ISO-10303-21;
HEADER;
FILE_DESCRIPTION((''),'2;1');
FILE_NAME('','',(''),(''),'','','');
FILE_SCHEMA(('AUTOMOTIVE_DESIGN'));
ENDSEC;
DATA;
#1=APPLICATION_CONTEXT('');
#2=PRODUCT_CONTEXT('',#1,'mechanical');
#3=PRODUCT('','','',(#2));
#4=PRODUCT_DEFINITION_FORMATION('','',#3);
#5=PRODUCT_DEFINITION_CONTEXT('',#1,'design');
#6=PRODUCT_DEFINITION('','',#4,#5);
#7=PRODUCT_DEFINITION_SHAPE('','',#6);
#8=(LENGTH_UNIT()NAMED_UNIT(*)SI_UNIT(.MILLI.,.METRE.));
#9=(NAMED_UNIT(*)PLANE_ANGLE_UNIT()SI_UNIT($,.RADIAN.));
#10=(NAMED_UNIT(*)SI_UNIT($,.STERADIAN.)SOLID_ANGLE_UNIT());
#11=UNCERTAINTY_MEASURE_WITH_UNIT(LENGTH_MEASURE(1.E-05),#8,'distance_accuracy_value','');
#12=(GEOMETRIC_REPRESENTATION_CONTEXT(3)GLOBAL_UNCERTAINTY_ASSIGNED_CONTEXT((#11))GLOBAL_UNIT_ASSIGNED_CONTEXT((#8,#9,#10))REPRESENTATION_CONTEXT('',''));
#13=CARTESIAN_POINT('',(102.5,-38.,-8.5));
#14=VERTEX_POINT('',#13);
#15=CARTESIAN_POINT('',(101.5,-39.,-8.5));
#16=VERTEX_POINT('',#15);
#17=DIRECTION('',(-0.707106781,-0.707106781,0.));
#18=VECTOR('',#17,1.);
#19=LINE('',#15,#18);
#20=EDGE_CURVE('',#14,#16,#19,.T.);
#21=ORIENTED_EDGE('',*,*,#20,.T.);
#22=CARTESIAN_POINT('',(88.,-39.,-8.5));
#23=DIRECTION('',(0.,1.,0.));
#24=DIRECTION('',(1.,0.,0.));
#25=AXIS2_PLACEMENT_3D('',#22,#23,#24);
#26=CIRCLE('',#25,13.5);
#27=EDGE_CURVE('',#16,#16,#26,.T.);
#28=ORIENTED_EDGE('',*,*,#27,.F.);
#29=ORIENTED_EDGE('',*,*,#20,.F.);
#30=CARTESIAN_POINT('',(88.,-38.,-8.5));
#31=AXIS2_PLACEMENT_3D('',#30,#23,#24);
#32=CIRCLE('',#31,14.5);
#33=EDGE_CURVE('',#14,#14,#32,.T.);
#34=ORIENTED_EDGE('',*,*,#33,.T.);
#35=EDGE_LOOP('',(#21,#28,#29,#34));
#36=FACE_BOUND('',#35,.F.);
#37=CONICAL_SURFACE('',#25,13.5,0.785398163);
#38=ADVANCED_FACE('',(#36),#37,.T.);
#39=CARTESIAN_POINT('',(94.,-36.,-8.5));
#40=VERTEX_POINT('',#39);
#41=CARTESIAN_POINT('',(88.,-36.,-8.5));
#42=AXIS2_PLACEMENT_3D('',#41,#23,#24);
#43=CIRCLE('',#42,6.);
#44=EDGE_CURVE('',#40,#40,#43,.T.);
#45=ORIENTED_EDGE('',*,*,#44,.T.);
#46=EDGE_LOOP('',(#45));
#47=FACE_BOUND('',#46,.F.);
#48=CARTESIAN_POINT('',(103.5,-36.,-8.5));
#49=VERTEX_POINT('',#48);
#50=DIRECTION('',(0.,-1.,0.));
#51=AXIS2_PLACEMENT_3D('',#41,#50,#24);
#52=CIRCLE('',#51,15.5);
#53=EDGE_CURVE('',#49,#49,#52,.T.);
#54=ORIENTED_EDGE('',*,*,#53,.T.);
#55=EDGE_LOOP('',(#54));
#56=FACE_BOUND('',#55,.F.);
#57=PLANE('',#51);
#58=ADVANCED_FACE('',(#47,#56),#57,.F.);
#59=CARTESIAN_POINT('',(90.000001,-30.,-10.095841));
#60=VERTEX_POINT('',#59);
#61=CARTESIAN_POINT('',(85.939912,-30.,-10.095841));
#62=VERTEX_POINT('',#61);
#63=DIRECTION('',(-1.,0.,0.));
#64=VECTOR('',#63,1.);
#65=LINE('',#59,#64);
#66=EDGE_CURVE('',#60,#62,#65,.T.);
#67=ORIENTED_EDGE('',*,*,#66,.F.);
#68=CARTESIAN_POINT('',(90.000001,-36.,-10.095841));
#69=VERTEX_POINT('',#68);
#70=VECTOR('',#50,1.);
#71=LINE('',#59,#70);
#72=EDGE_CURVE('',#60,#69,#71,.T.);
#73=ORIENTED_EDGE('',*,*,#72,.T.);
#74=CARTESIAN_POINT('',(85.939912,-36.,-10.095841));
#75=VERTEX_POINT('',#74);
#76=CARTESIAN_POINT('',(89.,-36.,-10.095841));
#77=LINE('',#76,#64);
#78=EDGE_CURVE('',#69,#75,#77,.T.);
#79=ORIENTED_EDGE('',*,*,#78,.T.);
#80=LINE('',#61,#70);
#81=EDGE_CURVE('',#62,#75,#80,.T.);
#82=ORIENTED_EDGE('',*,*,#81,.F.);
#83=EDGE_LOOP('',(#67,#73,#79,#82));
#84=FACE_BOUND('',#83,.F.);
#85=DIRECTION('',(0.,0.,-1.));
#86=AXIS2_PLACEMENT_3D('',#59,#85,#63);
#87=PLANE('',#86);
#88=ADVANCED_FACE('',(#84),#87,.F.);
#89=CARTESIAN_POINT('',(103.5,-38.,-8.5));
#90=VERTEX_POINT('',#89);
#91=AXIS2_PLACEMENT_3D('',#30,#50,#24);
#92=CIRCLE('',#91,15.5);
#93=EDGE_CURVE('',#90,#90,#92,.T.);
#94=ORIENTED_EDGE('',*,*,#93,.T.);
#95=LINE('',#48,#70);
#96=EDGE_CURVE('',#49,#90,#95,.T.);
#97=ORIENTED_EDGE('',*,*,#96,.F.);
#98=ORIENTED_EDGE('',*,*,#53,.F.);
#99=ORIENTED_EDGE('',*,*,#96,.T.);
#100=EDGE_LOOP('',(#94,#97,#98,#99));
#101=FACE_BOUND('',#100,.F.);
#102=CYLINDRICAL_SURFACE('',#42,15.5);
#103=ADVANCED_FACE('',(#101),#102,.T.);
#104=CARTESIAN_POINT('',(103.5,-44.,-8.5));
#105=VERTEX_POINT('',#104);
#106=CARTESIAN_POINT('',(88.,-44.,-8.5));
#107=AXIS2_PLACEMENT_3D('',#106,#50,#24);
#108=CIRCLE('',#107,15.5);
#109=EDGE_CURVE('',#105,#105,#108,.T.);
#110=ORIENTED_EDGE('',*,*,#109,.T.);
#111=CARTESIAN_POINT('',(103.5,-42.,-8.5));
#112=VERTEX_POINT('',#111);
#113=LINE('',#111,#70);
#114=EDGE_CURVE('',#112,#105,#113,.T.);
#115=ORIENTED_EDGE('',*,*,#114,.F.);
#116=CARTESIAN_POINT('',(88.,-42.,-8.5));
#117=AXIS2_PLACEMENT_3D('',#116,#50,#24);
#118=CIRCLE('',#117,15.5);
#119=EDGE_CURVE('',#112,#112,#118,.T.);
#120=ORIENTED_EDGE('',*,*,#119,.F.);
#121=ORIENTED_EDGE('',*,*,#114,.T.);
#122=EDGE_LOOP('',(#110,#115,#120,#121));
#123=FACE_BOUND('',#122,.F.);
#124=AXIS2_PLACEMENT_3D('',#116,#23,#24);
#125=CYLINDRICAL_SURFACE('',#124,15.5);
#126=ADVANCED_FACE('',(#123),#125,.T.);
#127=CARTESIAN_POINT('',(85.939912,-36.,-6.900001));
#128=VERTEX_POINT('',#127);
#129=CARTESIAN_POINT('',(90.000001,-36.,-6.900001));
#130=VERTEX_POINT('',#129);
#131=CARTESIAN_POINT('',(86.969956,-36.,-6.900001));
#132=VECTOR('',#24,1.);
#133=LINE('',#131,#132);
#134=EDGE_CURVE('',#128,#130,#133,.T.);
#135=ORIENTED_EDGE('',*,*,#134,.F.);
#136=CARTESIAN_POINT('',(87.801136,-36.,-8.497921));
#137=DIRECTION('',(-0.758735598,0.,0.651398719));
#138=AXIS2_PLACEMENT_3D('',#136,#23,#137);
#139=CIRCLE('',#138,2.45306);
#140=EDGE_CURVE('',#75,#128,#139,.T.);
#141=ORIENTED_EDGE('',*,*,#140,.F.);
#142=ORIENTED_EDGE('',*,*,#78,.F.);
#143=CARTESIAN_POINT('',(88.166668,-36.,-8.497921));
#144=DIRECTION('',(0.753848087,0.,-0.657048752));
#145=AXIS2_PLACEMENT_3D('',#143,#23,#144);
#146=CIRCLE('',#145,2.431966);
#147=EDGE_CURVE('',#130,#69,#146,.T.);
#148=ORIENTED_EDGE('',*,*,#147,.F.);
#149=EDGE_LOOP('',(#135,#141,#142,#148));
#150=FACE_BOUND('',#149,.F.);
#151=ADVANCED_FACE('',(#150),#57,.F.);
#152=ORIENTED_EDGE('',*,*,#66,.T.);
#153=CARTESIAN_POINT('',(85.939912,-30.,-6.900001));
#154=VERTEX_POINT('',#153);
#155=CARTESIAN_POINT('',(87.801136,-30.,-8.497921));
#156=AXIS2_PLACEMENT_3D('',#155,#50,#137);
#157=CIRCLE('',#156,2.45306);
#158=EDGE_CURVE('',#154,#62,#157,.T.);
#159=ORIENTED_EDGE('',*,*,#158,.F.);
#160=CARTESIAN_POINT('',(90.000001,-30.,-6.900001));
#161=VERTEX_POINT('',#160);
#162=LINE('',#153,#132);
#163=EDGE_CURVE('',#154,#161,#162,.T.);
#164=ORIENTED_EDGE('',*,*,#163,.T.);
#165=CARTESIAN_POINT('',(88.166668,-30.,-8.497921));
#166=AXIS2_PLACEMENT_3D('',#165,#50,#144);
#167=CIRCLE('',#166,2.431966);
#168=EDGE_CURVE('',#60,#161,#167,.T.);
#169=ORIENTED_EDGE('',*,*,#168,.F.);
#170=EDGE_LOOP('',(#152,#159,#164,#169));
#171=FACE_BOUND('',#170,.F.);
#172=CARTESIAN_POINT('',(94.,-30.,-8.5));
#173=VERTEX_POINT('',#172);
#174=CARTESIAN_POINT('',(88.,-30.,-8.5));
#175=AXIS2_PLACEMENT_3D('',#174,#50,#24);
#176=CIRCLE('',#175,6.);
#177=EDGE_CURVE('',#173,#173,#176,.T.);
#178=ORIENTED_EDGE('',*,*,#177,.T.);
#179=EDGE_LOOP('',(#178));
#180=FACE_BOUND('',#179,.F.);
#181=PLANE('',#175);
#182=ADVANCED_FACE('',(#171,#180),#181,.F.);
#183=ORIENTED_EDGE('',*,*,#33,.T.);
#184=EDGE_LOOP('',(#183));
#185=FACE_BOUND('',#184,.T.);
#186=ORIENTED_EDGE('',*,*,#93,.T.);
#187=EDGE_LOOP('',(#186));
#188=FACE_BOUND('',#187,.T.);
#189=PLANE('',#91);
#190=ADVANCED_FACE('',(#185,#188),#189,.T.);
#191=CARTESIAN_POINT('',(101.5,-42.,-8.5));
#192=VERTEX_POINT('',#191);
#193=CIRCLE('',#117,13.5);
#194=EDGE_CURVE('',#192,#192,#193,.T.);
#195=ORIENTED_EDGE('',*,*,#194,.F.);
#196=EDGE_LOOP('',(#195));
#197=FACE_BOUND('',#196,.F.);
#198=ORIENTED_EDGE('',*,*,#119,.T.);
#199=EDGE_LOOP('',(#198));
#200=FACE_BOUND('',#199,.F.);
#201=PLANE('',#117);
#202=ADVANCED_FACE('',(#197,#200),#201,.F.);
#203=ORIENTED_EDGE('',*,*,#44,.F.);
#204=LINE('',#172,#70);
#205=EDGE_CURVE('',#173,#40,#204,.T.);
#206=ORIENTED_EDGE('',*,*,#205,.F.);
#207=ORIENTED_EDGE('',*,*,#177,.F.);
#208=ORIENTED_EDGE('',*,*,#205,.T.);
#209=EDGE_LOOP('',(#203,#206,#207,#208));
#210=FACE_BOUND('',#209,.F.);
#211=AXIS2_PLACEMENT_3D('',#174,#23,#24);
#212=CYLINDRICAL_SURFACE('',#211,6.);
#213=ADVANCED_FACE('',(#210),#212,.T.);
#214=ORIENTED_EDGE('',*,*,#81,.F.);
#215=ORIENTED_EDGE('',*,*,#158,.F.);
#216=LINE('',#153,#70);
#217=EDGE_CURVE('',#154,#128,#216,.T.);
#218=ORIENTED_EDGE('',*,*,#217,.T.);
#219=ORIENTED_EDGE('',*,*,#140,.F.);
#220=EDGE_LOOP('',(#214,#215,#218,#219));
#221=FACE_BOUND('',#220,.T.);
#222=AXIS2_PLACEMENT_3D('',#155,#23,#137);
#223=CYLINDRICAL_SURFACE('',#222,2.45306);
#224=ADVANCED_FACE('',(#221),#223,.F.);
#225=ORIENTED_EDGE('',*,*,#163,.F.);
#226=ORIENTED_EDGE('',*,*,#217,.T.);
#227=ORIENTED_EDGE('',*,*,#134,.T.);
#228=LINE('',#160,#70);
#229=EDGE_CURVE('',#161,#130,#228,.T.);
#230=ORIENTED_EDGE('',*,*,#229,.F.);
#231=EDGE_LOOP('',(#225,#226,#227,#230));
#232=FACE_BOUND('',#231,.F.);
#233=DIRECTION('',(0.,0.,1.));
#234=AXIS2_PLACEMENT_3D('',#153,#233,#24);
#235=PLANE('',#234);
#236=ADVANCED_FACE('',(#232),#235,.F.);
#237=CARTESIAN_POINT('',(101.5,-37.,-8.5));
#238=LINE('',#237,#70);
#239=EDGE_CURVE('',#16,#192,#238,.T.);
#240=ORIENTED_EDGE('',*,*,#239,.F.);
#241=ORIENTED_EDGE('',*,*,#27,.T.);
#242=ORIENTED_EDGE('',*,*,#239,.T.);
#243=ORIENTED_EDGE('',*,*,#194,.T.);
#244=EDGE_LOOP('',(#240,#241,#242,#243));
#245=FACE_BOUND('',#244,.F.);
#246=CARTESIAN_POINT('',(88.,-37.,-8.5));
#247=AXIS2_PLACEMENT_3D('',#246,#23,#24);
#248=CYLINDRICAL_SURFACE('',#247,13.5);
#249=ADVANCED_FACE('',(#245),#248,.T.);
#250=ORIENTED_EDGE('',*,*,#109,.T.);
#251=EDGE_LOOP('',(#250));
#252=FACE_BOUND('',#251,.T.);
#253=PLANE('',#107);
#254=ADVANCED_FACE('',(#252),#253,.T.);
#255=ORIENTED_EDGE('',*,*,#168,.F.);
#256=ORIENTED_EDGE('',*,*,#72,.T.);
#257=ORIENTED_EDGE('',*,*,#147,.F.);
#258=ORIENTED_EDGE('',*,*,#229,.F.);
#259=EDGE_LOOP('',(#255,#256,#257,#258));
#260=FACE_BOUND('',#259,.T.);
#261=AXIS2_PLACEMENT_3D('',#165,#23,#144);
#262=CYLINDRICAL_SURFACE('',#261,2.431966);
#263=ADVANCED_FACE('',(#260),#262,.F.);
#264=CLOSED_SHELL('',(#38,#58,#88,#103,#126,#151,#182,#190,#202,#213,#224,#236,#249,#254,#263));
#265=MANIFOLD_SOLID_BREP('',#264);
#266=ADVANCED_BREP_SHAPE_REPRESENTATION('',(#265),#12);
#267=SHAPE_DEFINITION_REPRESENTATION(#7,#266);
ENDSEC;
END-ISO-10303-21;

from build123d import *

# Parameters (mm, degrees)
CYLINDER033_R         = 15.5
CYLINDER033_DEPTH     = 2
CYLINDER032_R         = 13.5
CYLINDER032_DEPTH     = 5
CYLINDER034_R         = 15.5
CYLINDER034_DEPTH     = 2
EXTRUDE001_DEPTH      = 7
CYLINDER031_R         = 6
CYLINDER031_DEPTH     = 14
CHAMFER005_SIZE       = 1
CHAMFER005_ROLL_ANGLE = 90


with BuildPart() as cilindro030:
    # Cylinder033 → Cylinder033 (new body)
    with BuildSketch(Plane(origin=(-1, 25, 36), x_dir=(1, 0, 0), z_dir=(0, 0, 1))):
        Circle(CYLINDER033_R)
    extrude(amount=CYLINDER033_DEPTH)


with BuildPart() as cilindro029:
    # Cylinder032 → Cylinder032 (new body)
    with BuildSketch(Plane(origin=(-1, 25, 31), x_dir=(1, 0, 0), z_dir=(0, 0, 1))):
        Circle(CYLINDER032_R)
    extrude(amount=CYLINDER032_DEPTH)


with BuildPart() as cilindro031:
    # Cylinder034 → Cylinder034 (new body)
    with BuildSketch(Plane(origin=(-1, 25, 30), x_dir=(1, 0, 0), z_dir=(0, 0, 1))):
        Circle(CYLINDER034_R)
    extrude(amount=CYLINDER034_DEPTH)


with BuildPart() as extrude001:
    # Sketch001 → Extrude001 (new body)
    with BuildSketch(Plane.XY):
        with BuildLine():
            Line((-2.060088, 8.599999), (2.000001, 8.599999))
            ThreePointArc((2.000001, 5.404159), (2.598634, 7.002079), (2.000001, 8.599999))
            Line((2.000001, 5.404159), (-2.060088, 5.404159))
            ThreePointArc((-2.060088, 8.599999), (-2.651924, 7.002079), (-2.060088, 5.404159))
        make_face()
    extrude(amount=EXTRUDE001_DEPTH)


with BuildPart() as extrude001_1:
    # Extrude001 placement: moved
    add(extrude001.part.moved(Location((-1, 18, 24))))


with BuildPart() as polea_motor:
    # Cylinder031 → Cylinder031 (new body)
    with BuildSketch(Plane(origin=(-1, 25, 24), x_dir=(1, 0, 0), z_dir=(0, 0, 1))):
        Circle(CYLINDER031_R)
    extrude(amount=CYLINDER031_DEPTH)

    # Cut027: cut Extrude001
    add(extrude001_1.part, mode=Mode.SUBTRACT)

    # Fusion005: union Cilindro030, Cilindro029, Cilindro031
    add(cilindro030.part)
    add(cilindro029.part)
    add(cilindro031.part)

    # Chamfer005
    chamfer005_edges = [polea_motor.edges().sort_by_distance(p)[0] for p in [
        (-14.5, 25, 32),
    ]]
    chamfer(chamfer005_edges, length=CHAMFER005_SIZE)


with BuildPart() as polea_motor_1:
    # Chamfer005 roll: moved
    add(polea_motor.part.rotate(Axis((0, 0, 0), (1, 0, 0)), CHAMFER005_ROLL_ANGLE))


with BuildPart() as polea_motor_2:
    # Chamfer005 placement: moved
    add(polea_motor_1.part.moved(Location((89, -6, -33.5))))


solid = polea_motor_2.part
